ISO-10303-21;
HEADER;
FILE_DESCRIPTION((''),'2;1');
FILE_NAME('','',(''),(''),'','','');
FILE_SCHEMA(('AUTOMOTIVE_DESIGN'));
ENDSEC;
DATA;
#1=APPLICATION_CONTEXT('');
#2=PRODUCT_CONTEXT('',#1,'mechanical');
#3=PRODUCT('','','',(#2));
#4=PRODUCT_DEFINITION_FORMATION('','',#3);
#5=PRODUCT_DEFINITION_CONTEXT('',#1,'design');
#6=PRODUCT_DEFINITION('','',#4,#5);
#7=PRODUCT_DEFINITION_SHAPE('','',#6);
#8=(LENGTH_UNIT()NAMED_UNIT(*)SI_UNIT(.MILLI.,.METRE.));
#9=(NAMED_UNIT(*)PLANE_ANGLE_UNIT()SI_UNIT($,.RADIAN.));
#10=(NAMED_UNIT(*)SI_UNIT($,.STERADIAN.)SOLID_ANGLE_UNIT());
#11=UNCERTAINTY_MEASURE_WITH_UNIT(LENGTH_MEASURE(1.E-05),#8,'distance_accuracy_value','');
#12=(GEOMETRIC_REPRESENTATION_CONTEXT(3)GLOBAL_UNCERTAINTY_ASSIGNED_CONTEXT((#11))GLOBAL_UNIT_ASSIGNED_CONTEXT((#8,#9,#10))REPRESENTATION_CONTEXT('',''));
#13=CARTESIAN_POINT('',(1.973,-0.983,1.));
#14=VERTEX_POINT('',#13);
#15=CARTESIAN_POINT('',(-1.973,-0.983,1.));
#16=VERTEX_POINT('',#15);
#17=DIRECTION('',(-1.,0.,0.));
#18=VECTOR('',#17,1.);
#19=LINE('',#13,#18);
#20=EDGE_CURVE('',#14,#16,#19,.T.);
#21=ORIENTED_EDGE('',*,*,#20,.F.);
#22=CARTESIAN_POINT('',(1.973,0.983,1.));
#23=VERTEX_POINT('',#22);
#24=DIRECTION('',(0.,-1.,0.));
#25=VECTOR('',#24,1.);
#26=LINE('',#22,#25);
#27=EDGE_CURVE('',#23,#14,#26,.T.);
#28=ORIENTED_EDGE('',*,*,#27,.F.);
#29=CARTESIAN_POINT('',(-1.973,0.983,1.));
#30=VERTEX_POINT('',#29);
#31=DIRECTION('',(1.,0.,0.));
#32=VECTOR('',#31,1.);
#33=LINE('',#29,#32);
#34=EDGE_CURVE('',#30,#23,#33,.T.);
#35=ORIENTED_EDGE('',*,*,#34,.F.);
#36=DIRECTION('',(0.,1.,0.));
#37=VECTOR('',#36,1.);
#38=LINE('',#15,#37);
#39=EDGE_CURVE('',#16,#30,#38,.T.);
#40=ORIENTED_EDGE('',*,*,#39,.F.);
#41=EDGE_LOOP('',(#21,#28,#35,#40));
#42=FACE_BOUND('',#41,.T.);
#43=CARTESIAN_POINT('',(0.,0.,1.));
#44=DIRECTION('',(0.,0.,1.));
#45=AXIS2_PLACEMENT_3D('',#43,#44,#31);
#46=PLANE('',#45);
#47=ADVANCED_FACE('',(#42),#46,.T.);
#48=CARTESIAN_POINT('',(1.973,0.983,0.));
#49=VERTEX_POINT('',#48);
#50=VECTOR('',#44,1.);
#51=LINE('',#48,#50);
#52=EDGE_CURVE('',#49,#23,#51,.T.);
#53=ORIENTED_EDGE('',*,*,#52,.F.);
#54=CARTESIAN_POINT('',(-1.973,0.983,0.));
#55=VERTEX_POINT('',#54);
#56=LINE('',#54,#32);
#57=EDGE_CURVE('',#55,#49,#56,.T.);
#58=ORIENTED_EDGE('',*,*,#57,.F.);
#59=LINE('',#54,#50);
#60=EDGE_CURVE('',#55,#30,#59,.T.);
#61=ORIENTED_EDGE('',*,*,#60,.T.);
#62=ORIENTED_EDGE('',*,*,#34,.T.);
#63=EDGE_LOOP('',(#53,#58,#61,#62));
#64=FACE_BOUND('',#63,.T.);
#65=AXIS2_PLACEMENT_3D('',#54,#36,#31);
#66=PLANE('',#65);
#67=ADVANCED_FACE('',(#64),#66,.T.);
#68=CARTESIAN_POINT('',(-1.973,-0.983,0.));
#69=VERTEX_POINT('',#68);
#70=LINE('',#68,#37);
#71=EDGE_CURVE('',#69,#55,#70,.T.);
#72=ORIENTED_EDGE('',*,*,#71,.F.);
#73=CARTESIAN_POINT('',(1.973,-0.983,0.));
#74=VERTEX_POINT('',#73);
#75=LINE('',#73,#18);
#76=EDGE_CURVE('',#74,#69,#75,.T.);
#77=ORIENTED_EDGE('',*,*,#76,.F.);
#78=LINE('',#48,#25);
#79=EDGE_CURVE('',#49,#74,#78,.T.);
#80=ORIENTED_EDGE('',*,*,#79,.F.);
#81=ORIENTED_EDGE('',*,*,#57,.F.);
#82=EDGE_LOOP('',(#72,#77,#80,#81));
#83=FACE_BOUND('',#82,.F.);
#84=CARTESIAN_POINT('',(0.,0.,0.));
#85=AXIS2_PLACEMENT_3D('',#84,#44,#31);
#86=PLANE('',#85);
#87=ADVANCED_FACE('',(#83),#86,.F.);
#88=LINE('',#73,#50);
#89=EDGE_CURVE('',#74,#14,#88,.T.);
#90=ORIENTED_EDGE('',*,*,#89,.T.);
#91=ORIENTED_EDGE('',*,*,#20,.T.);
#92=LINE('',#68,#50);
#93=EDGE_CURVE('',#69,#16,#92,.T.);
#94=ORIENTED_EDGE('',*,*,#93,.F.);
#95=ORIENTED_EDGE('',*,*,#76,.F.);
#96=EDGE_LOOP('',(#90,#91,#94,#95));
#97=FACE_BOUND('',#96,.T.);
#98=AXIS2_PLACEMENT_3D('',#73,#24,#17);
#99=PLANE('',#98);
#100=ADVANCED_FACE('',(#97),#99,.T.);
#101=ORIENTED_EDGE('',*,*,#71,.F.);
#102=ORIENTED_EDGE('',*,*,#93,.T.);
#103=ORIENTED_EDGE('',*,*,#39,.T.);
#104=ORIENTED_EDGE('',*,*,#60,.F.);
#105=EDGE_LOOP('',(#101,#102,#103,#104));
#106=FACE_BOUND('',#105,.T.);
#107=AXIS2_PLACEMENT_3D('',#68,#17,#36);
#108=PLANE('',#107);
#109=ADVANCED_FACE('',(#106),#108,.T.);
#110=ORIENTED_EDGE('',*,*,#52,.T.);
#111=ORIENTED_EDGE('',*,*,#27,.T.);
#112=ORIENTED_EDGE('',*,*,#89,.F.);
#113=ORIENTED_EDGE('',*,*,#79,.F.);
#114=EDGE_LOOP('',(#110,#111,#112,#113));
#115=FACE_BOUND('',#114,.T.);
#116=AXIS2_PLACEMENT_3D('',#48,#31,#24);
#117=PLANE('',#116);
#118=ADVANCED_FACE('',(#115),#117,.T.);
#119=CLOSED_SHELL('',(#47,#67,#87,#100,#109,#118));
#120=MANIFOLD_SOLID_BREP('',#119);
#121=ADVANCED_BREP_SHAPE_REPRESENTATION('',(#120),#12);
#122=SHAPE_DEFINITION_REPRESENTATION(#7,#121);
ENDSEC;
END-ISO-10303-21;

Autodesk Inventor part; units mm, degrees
ref_plane "YZ Plane" through (0, 0, 0) normal (1, 0, 0) x (0, 1, 0)
ref_plane "XZ Plane" through (0, 0, 0) normal (0, 1, 0) x (-1, 0, 0)
ref_plane "XY Plane" through (0, 0, 0) normal (0, 0, 1) x (1, 0, 0)
sketch "R0805, R0805_32" plane through (0, 0, 0) normal (0, 0, 1) x (1, 0, 0)
  line L0 (-1.973, 0.983) -> (1.973, 0.983)
  line L1 (1.973, 0.983) -> (1.973, -0.983)
  line L2 (1.973, -0.983) -> (-1.973, -0.983)
  line L3 (-1.973, -0.983) -> (-1.973, 0.983)
extrude "Extrusion1" add sketch "R0805, R0805_32" along normal blind 1
properties part number "R0805"
